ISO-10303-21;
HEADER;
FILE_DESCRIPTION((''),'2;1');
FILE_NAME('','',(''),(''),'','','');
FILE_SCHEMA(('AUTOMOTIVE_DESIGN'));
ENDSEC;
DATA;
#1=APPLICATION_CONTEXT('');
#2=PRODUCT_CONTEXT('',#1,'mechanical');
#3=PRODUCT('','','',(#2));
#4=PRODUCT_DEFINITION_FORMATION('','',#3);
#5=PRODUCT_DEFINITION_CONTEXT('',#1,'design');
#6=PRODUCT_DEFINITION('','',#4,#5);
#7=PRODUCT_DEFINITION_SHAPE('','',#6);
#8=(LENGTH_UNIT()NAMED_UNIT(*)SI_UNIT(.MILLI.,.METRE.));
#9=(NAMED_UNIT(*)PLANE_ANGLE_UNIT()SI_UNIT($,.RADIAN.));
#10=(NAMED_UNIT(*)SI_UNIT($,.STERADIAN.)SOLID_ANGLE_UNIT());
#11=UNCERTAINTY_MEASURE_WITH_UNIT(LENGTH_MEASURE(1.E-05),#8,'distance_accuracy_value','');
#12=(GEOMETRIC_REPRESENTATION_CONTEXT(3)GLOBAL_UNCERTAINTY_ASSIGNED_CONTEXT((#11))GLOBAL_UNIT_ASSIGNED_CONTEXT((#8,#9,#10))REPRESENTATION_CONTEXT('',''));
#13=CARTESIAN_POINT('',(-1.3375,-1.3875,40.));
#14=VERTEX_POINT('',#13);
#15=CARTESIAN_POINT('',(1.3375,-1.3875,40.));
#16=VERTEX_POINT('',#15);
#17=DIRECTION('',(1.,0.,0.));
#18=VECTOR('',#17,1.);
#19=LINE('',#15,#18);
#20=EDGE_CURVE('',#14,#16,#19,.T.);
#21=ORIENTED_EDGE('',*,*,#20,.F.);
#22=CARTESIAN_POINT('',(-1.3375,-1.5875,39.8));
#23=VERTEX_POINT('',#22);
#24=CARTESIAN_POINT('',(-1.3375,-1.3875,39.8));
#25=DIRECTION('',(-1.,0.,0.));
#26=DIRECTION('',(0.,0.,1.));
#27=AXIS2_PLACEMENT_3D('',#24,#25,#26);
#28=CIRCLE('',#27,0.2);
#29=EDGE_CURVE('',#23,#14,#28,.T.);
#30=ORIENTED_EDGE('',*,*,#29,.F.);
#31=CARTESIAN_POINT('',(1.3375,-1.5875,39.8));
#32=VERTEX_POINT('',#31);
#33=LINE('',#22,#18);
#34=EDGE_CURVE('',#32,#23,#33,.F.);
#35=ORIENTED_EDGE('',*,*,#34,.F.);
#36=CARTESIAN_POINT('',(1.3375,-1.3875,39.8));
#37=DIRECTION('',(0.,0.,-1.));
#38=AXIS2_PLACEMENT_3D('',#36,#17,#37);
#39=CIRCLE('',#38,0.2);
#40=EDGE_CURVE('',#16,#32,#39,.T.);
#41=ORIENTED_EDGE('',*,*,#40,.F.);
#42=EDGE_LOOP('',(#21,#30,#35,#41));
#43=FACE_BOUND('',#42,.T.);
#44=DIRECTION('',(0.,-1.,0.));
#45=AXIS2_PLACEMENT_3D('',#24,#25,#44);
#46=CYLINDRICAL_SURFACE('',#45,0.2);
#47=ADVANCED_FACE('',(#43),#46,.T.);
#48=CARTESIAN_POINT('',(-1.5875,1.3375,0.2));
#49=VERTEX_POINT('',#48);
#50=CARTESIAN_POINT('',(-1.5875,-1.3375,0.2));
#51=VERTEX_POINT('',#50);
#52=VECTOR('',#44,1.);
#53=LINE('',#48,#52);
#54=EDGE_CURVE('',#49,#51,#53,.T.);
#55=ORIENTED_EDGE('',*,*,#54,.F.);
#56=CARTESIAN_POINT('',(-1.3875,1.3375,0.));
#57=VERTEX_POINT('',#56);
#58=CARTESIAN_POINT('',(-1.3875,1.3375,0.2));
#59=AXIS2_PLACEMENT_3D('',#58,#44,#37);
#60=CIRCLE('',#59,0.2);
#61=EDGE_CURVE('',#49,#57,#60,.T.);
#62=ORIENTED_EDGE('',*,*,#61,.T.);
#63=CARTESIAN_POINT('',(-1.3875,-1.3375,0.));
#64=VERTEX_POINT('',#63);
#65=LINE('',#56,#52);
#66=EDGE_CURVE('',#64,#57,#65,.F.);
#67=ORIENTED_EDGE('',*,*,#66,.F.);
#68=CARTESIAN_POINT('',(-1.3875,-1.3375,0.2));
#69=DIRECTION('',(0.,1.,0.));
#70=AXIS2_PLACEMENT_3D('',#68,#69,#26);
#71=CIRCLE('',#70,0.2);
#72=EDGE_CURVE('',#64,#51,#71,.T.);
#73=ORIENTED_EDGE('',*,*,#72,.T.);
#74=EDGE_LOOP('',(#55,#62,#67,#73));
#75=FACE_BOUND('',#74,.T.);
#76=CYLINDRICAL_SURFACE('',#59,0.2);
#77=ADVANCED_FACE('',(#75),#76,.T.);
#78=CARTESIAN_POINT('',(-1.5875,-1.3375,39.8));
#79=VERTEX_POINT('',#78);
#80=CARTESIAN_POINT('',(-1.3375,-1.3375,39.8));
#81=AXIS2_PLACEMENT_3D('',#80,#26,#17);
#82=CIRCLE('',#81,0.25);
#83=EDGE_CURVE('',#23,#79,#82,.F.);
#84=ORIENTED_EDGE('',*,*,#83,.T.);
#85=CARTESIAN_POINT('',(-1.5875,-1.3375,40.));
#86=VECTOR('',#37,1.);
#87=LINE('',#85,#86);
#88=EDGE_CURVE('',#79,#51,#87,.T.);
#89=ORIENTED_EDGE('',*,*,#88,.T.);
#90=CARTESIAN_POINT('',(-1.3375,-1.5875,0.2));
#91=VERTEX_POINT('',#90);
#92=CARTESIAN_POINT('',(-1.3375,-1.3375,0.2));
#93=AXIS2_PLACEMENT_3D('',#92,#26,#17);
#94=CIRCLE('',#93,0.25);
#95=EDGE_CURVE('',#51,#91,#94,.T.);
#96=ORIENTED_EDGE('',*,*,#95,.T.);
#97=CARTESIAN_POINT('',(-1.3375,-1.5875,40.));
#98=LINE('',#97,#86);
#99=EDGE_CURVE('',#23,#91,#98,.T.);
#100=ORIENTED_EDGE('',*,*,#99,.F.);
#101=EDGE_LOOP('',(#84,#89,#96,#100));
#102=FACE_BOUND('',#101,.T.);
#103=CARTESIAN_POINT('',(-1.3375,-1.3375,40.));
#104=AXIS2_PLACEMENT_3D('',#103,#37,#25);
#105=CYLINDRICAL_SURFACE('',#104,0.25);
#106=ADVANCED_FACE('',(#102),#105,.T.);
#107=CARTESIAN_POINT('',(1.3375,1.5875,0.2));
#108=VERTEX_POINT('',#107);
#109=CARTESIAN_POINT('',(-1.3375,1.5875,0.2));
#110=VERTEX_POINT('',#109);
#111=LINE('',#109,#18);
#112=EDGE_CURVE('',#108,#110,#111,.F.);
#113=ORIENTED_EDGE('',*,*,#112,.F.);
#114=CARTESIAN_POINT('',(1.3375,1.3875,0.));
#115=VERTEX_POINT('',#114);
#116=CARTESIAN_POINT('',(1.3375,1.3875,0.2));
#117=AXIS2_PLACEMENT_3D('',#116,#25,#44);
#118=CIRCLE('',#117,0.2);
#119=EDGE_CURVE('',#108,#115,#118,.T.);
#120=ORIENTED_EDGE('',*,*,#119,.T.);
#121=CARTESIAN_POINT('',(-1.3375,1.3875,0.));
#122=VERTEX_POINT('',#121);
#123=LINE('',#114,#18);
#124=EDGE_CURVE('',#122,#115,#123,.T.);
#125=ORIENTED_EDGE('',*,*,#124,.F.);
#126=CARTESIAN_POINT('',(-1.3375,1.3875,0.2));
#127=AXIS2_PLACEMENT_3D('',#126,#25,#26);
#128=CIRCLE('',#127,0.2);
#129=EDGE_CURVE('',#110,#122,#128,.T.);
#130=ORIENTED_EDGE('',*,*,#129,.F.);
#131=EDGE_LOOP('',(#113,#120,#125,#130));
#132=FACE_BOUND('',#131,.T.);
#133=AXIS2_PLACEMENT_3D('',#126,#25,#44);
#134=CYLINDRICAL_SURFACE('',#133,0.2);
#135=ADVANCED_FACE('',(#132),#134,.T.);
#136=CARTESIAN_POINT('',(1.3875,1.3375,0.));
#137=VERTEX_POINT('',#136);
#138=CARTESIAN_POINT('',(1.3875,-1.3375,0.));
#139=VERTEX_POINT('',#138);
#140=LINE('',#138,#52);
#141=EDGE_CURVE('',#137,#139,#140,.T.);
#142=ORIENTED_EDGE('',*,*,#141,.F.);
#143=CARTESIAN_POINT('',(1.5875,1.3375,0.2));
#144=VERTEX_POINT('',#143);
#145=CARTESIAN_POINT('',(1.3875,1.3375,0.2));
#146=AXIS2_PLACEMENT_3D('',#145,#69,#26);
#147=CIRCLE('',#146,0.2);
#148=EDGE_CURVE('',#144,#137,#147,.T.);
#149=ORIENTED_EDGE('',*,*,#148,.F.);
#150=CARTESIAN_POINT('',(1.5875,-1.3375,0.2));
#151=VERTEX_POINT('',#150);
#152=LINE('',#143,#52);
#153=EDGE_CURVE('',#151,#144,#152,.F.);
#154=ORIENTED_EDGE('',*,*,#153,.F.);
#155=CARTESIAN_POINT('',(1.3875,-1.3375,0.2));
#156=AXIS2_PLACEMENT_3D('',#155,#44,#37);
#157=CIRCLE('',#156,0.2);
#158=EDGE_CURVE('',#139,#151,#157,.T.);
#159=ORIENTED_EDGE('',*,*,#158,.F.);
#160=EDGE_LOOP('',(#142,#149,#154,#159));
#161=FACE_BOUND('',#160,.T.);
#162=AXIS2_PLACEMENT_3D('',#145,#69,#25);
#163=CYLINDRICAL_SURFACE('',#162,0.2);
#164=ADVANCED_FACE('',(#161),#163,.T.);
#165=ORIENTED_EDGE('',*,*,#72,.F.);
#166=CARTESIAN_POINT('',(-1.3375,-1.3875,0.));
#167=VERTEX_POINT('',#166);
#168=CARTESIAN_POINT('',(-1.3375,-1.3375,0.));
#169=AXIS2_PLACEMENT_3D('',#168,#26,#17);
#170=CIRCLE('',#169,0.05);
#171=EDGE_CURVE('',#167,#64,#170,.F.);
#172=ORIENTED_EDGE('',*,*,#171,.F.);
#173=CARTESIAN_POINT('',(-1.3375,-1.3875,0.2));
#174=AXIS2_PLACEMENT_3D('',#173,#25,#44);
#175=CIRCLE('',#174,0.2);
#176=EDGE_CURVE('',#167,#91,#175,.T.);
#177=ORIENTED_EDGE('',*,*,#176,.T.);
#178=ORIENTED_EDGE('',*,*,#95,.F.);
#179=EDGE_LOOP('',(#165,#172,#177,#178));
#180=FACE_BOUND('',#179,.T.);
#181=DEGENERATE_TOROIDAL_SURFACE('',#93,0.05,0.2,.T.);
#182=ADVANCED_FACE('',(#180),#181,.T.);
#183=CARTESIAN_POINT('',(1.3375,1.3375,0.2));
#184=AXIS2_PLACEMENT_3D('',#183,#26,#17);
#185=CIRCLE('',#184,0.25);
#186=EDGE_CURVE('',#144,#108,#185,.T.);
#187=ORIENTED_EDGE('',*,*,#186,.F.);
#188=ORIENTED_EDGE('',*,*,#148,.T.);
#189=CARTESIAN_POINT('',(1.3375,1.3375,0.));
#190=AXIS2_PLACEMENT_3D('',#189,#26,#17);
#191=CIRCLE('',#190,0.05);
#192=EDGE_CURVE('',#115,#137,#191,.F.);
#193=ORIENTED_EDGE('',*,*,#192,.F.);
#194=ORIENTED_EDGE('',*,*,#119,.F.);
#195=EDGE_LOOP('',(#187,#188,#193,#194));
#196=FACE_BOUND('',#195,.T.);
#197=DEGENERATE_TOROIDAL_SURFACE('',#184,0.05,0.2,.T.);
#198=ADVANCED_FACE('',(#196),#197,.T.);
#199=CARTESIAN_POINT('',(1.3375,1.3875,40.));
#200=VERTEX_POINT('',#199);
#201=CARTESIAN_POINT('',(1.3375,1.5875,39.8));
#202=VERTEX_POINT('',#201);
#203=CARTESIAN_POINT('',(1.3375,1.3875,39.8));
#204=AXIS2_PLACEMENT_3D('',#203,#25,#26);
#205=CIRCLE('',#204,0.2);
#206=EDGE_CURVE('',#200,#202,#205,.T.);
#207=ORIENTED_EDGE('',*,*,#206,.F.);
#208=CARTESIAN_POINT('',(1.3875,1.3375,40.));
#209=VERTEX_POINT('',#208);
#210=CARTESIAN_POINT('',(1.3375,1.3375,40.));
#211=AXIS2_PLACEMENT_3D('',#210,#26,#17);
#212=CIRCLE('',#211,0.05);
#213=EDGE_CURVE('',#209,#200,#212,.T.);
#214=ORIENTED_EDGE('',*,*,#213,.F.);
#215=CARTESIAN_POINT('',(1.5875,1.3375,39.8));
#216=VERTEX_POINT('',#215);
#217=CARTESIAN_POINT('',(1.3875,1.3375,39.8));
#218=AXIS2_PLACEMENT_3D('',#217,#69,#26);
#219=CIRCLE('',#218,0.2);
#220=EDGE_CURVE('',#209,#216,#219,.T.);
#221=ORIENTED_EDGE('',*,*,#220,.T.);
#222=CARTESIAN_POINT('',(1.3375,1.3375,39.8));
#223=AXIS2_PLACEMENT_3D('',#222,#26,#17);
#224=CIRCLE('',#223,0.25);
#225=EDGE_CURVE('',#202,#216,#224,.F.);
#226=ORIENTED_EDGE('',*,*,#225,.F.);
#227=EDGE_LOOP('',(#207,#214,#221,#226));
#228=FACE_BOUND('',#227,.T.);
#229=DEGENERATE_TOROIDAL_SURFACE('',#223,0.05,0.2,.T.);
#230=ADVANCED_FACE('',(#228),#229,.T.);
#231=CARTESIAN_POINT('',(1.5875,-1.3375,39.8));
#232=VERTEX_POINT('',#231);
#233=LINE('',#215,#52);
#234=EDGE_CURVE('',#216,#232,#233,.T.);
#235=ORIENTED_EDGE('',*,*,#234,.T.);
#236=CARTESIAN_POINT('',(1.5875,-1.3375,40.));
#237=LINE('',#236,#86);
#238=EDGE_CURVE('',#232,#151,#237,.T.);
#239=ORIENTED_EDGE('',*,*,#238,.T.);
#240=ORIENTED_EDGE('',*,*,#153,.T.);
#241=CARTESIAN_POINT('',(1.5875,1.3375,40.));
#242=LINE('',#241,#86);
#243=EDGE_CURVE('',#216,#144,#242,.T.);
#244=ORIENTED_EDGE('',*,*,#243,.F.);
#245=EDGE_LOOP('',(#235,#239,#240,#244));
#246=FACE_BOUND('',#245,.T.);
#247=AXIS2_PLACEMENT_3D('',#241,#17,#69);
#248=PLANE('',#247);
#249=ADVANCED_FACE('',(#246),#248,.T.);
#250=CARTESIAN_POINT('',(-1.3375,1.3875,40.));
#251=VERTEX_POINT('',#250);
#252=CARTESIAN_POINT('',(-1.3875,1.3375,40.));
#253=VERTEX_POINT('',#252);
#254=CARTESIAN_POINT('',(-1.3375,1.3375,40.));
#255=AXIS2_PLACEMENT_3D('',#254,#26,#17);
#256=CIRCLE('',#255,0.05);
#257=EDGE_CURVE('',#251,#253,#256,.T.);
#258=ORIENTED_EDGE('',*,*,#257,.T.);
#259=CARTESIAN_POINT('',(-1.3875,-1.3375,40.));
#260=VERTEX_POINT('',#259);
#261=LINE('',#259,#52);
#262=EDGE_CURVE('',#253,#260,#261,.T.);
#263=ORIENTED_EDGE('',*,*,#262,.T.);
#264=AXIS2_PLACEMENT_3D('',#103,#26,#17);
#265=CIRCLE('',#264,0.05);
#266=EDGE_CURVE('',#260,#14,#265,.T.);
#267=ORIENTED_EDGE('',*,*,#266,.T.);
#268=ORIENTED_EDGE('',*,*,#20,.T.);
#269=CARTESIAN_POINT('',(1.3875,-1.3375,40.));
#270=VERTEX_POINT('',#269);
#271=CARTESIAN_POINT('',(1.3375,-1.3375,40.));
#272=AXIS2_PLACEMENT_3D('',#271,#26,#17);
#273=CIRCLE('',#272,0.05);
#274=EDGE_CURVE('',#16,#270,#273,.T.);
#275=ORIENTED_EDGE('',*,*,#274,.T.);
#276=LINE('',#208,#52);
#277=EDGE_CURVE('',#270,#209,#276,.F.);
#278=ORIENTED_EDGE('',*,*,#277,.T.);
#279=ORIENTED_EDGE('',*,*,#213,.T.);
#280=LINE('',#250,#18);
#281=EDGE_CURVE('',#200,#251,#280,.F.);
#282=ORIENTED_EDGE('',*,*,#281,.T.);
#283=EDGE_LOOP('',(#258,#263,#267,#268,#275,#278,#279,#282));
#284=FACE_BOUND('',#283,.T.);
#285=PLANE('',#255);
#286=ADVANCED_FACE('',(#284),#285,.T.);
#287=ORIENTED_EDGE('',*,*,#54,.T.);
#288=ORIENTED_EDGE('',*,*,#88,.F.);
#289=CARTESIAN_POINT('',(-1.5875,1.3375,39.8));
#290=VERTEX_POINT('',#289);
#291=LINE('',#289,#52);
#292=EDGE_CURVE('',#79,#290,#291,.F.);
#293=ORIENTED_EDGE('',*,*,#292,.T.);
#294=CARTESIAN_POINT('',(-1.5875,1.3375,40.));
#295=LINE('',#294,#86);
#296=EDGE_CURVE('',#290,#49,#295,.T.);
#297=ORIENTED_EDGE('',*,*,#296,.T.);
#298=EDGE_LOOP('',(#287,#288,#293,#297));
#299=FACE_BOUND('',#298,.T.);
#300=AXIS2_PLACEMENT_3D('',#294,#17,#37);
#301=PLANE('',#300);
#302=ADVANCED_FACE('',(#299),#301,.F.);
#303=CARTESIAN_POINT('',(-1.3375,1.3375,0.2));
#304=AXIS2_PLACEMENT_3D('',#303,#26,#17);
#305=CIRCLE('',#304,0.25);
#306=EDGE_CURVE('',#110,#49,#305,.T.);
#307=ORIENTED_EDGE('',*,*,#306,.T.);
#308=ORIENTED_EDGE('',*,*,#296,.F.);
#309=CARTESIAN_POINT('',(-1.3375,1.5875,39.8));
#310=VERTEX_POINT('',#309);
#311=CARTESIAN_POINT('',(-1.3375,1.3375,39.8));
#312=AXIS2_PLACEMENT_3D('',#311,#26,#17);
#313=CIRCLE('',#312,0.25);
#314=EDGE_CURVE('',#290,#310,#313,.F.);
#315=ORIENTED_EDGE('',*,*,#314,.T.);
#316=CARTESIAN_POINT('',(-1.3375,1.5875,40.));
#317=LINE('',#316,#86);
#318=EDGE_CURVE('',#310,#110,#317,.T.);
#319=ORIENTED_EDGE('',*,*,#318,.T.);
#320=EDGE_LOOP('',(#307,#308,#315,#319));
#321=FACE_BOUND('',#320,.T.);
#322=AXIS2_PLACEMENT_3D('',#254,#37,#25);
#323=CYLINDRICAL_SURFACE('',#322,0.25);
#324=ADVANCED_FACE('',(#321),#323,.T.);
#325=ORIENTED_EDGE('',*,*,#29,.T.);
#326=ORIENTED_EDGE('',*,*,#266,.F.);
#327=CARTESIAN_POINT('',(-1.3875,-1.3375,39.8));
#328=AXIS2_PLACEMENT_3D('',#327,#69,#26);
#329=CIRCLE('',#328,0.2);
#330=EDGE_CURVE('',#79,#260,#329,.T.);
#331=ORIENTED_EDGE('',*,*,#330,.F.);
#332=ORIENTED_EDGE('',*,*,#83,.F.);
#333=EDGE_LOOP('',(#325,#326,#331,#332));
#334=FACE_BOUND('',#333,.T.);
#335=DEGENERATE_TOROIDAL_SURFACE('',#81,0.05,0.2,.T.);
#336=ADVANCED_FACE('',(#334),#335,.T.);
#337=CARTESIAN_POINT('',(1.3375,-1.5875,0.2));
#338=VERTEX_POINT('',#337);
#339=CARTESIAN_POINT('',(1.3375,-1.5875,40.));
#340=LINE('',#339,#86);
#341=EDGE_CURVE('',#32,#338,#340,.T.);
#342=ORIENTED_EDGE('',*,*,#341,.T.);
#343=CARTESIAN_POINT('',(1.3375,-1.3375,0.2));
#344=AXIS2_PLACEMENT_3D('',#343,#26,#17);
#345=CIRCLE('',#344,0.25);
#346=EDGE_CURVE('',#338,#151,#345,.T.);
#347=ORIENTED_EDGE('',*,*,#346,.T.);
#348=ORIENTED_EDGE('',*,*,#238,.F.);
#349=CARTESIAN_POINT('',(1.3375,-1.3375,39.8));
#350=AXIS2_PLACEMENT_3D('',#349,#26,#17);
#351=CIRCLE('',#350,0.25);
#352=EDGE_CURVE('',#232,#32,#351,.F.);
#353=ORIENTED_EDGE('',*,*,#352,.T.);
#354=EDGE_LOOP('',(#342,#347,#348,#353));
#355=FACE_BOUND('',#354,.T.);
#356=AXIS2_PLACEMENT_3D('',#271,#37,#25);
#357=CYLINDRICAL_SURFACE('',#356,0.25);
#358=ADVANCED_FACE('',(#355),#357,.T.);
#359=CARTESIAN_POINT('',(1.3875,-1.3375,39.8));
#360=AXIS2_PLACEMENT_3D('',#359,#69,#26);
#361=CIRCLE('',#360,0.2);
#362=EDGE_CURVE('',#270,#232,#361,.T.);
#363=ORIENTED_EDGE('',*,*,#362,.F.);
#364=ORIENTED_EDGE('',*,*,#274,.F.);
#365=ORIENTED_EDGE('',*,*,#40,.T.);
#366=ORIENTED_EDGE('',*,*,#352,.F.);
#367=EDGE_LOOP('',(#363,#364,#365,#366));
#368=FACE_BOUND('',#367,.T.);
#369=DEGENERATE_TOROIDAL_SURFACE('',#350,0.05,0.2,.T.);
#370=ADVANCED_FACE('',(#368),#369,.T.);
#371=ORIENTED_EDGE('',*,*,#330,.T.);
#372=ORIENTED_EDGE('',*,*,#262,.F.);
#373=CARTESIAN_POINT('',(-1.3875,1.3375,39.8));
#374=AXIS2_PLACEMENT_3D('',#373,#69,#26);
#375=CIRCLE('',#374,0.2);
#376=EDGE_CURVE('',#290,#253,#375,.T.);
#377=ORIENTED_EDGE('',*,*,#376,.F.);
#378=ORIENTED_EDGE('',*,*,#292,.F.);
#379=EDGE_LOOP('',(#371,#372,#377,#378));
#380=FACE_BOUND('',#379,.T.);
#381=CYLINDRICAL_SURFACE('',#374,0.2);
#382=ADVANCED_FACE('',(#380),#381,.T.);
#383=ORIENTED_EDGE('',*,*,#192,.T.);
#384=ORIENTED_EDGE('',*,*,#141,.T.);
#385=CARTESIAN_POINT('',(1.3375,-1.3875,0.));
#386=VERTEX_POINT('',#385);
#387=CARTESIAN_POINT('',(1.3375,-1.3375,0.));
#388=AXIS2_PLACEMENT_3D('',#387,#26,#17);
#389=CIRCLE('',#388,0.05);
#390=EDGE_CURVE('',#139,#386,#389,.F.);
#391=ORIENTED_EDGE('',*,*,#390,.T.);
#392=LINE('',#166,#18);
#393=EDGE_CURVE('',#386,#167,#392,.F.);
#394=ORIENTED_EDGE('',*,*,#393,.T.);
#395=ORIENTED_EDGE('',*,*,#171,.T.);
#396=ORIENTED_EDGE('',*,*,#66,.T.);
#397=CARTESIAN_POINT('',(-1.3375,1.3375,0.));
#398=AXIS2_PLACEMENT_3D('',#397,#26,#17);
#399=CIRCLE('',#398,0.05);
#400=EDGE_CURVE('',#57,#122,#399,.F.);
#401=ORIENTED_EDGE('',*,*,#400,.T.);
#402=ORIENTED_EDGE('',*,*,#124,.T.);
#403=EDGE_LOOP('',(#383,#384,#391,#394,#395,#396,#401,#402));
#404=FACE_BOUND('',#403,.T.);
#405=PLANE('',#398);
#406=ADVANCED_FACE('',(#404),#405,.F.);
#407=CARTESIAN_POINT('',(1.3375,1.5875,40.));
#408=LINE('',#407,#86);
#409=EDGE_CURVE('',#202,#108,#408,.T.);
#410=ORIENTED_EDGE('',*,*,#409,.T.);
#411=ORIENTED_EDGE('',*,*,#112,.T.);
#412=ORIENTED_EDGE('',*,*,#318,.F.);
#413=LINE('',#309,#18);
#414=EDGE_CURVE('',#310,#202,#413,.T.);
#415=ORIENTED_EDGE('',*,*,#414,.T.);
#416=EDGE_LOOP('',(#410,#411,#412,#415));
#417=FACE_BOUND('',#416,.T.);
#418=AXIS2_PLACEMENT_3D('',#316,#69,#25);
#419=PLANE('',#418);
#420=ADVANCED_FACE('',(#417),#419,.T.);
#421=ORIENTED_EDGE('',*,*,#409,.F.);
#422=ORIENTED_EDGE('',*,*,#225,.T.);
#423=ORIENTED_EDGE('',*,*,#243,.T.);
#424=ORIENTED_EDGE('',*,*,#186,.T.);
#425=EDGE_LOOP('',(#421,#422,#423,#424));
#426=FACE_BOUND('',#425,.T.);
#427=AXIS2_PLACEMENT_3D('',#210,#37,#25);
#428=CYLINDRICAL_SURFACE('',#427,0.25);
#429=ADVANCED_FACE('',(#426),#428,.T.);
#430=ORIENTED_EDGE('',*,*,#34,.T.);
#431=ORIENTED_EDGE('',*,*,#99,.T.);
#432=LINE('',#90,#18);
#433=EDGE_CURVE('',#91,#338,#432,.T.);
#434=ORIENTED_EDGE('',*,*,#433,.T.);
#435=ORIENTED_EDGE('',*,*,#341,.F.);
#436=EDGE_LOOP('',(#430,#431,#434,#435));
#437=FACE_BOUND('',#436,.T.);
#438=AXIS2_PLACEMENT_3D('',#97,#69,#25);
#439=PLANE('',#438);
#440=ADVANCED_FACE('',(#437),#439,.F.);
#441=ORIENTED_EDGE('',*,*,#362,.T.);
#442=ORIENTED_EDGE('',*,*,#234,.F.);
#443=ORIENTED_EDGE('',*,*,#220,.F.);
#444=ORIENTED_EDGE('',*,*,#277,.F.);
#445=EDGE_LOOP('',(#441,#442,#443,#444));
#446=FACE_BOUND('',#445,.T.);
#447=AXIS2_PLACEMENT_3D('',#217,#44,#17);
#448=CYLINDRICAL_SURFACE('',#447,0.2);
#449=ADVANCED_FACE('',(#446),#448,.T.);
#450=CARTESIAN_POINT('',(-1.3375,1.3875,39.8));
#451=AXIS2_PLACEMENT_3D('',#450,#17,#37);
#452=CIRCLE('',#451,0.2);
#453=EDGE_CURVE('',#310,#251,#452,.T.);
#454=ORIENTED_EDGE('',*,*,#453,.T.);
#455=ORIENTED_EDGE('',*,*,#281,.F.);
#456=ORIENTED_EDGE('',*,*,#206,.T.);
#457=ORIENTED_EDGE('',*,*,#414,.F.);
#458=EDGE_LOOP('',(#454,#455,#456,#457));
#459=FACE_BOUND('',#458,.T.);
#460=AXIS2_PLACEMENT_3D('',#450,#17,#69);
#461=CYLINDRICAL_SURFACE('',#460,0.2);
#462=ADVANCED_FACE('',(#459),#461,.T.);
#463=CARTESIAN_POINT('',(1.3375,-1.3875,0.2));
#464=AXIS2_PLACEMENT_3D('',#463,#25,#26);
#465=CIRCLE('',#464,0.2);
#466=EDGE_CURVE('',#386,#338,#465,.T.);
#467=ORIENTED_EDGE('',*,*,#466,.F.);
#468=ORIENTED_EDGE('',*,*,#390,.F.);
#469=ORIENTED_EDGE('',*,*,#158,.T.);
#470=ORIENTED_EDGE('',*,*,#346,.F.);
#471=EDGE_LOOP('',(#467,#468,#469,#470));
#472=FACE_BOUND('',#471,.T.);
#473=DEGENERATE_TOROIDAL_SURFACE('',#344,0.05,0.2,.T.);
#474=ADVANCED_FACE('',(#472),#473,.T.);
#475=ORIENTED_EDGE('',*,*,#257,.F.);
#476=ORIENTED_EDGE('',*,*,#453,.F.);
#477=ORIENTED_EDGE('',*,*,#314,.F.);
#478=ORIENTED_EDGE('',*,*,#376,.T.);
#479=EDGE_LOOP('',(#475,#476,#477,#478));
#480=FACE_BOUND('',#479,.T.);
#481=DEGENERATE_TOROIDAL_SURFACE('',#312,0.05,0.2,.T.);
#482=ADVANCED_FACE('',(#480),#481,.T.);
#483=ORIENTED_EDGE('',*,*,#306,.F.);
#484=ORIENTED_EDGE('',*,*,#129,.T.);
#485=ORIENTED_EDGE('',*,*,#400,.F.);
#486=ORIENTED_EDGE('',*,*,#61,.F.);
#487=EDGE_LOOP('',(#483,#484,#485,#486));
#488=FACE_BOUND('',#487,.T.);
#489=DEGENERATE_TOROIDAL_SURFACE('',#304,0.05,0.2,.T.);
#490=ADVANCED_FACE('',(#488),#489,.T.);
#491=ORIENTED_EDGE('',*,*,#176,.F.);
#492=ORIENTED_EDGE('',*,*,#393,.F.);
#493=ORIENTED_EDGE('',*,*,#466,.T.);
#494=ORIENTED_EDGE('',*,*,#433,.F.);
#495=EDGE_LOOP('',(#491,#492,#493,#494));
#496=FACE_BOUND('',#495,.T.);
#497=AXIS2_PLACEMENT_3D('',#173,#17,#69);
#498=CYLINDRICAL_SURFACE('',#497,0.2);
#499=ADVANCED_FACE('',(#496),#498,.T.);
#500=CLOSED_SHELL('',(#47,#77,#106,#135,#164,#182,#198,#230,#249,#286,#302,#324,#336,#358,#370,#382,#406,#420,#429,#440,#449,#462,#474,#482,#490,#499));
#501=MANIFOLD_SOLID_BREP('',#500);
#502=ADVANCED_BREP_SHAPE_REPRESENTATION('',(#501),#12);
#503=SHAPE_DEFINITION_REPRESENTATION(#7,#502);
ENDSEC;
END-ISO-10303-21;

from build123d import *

# Parameters (mm, degrees)
BOSS_EXTRUDE1_DEPTH = 40
FILLET1_R           = 0.2


with BuildPart() as part:
    # Sketch1 → Boss-Extrude1 (new body)
    with BuildSketch(Plane.XY):
        with BuildLine():
            Line((-1.3375, 1.5875), (1.3375, 1.5875))
            ThreePointArc((1.3375, 1.5875), (1.514276695, 1.514276695), (1.5875, 1.3375))
            Line((1.5875, 1.3375), (1.5875, -1.3375))
            ThreePointArc((1.5875, -1.3375), (1.514276695, -1.514276695), (1.3375, -1.5875))
            Line((1.3375, -1.5875), (-1.3375, -1.5875))
            ThreePointArc((-1.3375, -1.5875), (-1.514276695, -1.514276695), (-1.5875, -1.3375))
            Line((-1.5875, -1.3375), (-1.5875, 1.3375))
            ThreePointArc((-1.5875, 1.3375), (-1.514276695, 1.514276695), (-1.3375, 1.5875))
        make_face()
    extrude(amount=BOSS_EXTRUDE1_DEPTH)

    # Fillet1
    fillet1_edges = [part.edges().sort_by_distance(p)[0] for p in [
        (-1.514276695, -1.514276695, 40),
        (-1.5875, 0, 0),
        (-1.514276695, 1.514276695, 0),
        (0, -1.5875, 40),
        (1.514276695, -1.514276695, 40),
        (1.5875, 0, 40),
        (1.514276695, 1.514276695, 40),
        (0, 1.5875, 40),
        (-1.514276695, 1.514276695, 40),
        (-1.5875, 0, 40),
        (0, 1.5875, 0),
        (1.514276695, 1.514276695, 0),
        (1.5875, 0, 0),
        (1.514276695, -1.514276695, 0),
        (0, -1.5875, 0),
        (-1.514276695, -1.514276695, 0),
    ]]
    fillet(fillet1_edges, radius=FILLET1_R)


solid = part.part
